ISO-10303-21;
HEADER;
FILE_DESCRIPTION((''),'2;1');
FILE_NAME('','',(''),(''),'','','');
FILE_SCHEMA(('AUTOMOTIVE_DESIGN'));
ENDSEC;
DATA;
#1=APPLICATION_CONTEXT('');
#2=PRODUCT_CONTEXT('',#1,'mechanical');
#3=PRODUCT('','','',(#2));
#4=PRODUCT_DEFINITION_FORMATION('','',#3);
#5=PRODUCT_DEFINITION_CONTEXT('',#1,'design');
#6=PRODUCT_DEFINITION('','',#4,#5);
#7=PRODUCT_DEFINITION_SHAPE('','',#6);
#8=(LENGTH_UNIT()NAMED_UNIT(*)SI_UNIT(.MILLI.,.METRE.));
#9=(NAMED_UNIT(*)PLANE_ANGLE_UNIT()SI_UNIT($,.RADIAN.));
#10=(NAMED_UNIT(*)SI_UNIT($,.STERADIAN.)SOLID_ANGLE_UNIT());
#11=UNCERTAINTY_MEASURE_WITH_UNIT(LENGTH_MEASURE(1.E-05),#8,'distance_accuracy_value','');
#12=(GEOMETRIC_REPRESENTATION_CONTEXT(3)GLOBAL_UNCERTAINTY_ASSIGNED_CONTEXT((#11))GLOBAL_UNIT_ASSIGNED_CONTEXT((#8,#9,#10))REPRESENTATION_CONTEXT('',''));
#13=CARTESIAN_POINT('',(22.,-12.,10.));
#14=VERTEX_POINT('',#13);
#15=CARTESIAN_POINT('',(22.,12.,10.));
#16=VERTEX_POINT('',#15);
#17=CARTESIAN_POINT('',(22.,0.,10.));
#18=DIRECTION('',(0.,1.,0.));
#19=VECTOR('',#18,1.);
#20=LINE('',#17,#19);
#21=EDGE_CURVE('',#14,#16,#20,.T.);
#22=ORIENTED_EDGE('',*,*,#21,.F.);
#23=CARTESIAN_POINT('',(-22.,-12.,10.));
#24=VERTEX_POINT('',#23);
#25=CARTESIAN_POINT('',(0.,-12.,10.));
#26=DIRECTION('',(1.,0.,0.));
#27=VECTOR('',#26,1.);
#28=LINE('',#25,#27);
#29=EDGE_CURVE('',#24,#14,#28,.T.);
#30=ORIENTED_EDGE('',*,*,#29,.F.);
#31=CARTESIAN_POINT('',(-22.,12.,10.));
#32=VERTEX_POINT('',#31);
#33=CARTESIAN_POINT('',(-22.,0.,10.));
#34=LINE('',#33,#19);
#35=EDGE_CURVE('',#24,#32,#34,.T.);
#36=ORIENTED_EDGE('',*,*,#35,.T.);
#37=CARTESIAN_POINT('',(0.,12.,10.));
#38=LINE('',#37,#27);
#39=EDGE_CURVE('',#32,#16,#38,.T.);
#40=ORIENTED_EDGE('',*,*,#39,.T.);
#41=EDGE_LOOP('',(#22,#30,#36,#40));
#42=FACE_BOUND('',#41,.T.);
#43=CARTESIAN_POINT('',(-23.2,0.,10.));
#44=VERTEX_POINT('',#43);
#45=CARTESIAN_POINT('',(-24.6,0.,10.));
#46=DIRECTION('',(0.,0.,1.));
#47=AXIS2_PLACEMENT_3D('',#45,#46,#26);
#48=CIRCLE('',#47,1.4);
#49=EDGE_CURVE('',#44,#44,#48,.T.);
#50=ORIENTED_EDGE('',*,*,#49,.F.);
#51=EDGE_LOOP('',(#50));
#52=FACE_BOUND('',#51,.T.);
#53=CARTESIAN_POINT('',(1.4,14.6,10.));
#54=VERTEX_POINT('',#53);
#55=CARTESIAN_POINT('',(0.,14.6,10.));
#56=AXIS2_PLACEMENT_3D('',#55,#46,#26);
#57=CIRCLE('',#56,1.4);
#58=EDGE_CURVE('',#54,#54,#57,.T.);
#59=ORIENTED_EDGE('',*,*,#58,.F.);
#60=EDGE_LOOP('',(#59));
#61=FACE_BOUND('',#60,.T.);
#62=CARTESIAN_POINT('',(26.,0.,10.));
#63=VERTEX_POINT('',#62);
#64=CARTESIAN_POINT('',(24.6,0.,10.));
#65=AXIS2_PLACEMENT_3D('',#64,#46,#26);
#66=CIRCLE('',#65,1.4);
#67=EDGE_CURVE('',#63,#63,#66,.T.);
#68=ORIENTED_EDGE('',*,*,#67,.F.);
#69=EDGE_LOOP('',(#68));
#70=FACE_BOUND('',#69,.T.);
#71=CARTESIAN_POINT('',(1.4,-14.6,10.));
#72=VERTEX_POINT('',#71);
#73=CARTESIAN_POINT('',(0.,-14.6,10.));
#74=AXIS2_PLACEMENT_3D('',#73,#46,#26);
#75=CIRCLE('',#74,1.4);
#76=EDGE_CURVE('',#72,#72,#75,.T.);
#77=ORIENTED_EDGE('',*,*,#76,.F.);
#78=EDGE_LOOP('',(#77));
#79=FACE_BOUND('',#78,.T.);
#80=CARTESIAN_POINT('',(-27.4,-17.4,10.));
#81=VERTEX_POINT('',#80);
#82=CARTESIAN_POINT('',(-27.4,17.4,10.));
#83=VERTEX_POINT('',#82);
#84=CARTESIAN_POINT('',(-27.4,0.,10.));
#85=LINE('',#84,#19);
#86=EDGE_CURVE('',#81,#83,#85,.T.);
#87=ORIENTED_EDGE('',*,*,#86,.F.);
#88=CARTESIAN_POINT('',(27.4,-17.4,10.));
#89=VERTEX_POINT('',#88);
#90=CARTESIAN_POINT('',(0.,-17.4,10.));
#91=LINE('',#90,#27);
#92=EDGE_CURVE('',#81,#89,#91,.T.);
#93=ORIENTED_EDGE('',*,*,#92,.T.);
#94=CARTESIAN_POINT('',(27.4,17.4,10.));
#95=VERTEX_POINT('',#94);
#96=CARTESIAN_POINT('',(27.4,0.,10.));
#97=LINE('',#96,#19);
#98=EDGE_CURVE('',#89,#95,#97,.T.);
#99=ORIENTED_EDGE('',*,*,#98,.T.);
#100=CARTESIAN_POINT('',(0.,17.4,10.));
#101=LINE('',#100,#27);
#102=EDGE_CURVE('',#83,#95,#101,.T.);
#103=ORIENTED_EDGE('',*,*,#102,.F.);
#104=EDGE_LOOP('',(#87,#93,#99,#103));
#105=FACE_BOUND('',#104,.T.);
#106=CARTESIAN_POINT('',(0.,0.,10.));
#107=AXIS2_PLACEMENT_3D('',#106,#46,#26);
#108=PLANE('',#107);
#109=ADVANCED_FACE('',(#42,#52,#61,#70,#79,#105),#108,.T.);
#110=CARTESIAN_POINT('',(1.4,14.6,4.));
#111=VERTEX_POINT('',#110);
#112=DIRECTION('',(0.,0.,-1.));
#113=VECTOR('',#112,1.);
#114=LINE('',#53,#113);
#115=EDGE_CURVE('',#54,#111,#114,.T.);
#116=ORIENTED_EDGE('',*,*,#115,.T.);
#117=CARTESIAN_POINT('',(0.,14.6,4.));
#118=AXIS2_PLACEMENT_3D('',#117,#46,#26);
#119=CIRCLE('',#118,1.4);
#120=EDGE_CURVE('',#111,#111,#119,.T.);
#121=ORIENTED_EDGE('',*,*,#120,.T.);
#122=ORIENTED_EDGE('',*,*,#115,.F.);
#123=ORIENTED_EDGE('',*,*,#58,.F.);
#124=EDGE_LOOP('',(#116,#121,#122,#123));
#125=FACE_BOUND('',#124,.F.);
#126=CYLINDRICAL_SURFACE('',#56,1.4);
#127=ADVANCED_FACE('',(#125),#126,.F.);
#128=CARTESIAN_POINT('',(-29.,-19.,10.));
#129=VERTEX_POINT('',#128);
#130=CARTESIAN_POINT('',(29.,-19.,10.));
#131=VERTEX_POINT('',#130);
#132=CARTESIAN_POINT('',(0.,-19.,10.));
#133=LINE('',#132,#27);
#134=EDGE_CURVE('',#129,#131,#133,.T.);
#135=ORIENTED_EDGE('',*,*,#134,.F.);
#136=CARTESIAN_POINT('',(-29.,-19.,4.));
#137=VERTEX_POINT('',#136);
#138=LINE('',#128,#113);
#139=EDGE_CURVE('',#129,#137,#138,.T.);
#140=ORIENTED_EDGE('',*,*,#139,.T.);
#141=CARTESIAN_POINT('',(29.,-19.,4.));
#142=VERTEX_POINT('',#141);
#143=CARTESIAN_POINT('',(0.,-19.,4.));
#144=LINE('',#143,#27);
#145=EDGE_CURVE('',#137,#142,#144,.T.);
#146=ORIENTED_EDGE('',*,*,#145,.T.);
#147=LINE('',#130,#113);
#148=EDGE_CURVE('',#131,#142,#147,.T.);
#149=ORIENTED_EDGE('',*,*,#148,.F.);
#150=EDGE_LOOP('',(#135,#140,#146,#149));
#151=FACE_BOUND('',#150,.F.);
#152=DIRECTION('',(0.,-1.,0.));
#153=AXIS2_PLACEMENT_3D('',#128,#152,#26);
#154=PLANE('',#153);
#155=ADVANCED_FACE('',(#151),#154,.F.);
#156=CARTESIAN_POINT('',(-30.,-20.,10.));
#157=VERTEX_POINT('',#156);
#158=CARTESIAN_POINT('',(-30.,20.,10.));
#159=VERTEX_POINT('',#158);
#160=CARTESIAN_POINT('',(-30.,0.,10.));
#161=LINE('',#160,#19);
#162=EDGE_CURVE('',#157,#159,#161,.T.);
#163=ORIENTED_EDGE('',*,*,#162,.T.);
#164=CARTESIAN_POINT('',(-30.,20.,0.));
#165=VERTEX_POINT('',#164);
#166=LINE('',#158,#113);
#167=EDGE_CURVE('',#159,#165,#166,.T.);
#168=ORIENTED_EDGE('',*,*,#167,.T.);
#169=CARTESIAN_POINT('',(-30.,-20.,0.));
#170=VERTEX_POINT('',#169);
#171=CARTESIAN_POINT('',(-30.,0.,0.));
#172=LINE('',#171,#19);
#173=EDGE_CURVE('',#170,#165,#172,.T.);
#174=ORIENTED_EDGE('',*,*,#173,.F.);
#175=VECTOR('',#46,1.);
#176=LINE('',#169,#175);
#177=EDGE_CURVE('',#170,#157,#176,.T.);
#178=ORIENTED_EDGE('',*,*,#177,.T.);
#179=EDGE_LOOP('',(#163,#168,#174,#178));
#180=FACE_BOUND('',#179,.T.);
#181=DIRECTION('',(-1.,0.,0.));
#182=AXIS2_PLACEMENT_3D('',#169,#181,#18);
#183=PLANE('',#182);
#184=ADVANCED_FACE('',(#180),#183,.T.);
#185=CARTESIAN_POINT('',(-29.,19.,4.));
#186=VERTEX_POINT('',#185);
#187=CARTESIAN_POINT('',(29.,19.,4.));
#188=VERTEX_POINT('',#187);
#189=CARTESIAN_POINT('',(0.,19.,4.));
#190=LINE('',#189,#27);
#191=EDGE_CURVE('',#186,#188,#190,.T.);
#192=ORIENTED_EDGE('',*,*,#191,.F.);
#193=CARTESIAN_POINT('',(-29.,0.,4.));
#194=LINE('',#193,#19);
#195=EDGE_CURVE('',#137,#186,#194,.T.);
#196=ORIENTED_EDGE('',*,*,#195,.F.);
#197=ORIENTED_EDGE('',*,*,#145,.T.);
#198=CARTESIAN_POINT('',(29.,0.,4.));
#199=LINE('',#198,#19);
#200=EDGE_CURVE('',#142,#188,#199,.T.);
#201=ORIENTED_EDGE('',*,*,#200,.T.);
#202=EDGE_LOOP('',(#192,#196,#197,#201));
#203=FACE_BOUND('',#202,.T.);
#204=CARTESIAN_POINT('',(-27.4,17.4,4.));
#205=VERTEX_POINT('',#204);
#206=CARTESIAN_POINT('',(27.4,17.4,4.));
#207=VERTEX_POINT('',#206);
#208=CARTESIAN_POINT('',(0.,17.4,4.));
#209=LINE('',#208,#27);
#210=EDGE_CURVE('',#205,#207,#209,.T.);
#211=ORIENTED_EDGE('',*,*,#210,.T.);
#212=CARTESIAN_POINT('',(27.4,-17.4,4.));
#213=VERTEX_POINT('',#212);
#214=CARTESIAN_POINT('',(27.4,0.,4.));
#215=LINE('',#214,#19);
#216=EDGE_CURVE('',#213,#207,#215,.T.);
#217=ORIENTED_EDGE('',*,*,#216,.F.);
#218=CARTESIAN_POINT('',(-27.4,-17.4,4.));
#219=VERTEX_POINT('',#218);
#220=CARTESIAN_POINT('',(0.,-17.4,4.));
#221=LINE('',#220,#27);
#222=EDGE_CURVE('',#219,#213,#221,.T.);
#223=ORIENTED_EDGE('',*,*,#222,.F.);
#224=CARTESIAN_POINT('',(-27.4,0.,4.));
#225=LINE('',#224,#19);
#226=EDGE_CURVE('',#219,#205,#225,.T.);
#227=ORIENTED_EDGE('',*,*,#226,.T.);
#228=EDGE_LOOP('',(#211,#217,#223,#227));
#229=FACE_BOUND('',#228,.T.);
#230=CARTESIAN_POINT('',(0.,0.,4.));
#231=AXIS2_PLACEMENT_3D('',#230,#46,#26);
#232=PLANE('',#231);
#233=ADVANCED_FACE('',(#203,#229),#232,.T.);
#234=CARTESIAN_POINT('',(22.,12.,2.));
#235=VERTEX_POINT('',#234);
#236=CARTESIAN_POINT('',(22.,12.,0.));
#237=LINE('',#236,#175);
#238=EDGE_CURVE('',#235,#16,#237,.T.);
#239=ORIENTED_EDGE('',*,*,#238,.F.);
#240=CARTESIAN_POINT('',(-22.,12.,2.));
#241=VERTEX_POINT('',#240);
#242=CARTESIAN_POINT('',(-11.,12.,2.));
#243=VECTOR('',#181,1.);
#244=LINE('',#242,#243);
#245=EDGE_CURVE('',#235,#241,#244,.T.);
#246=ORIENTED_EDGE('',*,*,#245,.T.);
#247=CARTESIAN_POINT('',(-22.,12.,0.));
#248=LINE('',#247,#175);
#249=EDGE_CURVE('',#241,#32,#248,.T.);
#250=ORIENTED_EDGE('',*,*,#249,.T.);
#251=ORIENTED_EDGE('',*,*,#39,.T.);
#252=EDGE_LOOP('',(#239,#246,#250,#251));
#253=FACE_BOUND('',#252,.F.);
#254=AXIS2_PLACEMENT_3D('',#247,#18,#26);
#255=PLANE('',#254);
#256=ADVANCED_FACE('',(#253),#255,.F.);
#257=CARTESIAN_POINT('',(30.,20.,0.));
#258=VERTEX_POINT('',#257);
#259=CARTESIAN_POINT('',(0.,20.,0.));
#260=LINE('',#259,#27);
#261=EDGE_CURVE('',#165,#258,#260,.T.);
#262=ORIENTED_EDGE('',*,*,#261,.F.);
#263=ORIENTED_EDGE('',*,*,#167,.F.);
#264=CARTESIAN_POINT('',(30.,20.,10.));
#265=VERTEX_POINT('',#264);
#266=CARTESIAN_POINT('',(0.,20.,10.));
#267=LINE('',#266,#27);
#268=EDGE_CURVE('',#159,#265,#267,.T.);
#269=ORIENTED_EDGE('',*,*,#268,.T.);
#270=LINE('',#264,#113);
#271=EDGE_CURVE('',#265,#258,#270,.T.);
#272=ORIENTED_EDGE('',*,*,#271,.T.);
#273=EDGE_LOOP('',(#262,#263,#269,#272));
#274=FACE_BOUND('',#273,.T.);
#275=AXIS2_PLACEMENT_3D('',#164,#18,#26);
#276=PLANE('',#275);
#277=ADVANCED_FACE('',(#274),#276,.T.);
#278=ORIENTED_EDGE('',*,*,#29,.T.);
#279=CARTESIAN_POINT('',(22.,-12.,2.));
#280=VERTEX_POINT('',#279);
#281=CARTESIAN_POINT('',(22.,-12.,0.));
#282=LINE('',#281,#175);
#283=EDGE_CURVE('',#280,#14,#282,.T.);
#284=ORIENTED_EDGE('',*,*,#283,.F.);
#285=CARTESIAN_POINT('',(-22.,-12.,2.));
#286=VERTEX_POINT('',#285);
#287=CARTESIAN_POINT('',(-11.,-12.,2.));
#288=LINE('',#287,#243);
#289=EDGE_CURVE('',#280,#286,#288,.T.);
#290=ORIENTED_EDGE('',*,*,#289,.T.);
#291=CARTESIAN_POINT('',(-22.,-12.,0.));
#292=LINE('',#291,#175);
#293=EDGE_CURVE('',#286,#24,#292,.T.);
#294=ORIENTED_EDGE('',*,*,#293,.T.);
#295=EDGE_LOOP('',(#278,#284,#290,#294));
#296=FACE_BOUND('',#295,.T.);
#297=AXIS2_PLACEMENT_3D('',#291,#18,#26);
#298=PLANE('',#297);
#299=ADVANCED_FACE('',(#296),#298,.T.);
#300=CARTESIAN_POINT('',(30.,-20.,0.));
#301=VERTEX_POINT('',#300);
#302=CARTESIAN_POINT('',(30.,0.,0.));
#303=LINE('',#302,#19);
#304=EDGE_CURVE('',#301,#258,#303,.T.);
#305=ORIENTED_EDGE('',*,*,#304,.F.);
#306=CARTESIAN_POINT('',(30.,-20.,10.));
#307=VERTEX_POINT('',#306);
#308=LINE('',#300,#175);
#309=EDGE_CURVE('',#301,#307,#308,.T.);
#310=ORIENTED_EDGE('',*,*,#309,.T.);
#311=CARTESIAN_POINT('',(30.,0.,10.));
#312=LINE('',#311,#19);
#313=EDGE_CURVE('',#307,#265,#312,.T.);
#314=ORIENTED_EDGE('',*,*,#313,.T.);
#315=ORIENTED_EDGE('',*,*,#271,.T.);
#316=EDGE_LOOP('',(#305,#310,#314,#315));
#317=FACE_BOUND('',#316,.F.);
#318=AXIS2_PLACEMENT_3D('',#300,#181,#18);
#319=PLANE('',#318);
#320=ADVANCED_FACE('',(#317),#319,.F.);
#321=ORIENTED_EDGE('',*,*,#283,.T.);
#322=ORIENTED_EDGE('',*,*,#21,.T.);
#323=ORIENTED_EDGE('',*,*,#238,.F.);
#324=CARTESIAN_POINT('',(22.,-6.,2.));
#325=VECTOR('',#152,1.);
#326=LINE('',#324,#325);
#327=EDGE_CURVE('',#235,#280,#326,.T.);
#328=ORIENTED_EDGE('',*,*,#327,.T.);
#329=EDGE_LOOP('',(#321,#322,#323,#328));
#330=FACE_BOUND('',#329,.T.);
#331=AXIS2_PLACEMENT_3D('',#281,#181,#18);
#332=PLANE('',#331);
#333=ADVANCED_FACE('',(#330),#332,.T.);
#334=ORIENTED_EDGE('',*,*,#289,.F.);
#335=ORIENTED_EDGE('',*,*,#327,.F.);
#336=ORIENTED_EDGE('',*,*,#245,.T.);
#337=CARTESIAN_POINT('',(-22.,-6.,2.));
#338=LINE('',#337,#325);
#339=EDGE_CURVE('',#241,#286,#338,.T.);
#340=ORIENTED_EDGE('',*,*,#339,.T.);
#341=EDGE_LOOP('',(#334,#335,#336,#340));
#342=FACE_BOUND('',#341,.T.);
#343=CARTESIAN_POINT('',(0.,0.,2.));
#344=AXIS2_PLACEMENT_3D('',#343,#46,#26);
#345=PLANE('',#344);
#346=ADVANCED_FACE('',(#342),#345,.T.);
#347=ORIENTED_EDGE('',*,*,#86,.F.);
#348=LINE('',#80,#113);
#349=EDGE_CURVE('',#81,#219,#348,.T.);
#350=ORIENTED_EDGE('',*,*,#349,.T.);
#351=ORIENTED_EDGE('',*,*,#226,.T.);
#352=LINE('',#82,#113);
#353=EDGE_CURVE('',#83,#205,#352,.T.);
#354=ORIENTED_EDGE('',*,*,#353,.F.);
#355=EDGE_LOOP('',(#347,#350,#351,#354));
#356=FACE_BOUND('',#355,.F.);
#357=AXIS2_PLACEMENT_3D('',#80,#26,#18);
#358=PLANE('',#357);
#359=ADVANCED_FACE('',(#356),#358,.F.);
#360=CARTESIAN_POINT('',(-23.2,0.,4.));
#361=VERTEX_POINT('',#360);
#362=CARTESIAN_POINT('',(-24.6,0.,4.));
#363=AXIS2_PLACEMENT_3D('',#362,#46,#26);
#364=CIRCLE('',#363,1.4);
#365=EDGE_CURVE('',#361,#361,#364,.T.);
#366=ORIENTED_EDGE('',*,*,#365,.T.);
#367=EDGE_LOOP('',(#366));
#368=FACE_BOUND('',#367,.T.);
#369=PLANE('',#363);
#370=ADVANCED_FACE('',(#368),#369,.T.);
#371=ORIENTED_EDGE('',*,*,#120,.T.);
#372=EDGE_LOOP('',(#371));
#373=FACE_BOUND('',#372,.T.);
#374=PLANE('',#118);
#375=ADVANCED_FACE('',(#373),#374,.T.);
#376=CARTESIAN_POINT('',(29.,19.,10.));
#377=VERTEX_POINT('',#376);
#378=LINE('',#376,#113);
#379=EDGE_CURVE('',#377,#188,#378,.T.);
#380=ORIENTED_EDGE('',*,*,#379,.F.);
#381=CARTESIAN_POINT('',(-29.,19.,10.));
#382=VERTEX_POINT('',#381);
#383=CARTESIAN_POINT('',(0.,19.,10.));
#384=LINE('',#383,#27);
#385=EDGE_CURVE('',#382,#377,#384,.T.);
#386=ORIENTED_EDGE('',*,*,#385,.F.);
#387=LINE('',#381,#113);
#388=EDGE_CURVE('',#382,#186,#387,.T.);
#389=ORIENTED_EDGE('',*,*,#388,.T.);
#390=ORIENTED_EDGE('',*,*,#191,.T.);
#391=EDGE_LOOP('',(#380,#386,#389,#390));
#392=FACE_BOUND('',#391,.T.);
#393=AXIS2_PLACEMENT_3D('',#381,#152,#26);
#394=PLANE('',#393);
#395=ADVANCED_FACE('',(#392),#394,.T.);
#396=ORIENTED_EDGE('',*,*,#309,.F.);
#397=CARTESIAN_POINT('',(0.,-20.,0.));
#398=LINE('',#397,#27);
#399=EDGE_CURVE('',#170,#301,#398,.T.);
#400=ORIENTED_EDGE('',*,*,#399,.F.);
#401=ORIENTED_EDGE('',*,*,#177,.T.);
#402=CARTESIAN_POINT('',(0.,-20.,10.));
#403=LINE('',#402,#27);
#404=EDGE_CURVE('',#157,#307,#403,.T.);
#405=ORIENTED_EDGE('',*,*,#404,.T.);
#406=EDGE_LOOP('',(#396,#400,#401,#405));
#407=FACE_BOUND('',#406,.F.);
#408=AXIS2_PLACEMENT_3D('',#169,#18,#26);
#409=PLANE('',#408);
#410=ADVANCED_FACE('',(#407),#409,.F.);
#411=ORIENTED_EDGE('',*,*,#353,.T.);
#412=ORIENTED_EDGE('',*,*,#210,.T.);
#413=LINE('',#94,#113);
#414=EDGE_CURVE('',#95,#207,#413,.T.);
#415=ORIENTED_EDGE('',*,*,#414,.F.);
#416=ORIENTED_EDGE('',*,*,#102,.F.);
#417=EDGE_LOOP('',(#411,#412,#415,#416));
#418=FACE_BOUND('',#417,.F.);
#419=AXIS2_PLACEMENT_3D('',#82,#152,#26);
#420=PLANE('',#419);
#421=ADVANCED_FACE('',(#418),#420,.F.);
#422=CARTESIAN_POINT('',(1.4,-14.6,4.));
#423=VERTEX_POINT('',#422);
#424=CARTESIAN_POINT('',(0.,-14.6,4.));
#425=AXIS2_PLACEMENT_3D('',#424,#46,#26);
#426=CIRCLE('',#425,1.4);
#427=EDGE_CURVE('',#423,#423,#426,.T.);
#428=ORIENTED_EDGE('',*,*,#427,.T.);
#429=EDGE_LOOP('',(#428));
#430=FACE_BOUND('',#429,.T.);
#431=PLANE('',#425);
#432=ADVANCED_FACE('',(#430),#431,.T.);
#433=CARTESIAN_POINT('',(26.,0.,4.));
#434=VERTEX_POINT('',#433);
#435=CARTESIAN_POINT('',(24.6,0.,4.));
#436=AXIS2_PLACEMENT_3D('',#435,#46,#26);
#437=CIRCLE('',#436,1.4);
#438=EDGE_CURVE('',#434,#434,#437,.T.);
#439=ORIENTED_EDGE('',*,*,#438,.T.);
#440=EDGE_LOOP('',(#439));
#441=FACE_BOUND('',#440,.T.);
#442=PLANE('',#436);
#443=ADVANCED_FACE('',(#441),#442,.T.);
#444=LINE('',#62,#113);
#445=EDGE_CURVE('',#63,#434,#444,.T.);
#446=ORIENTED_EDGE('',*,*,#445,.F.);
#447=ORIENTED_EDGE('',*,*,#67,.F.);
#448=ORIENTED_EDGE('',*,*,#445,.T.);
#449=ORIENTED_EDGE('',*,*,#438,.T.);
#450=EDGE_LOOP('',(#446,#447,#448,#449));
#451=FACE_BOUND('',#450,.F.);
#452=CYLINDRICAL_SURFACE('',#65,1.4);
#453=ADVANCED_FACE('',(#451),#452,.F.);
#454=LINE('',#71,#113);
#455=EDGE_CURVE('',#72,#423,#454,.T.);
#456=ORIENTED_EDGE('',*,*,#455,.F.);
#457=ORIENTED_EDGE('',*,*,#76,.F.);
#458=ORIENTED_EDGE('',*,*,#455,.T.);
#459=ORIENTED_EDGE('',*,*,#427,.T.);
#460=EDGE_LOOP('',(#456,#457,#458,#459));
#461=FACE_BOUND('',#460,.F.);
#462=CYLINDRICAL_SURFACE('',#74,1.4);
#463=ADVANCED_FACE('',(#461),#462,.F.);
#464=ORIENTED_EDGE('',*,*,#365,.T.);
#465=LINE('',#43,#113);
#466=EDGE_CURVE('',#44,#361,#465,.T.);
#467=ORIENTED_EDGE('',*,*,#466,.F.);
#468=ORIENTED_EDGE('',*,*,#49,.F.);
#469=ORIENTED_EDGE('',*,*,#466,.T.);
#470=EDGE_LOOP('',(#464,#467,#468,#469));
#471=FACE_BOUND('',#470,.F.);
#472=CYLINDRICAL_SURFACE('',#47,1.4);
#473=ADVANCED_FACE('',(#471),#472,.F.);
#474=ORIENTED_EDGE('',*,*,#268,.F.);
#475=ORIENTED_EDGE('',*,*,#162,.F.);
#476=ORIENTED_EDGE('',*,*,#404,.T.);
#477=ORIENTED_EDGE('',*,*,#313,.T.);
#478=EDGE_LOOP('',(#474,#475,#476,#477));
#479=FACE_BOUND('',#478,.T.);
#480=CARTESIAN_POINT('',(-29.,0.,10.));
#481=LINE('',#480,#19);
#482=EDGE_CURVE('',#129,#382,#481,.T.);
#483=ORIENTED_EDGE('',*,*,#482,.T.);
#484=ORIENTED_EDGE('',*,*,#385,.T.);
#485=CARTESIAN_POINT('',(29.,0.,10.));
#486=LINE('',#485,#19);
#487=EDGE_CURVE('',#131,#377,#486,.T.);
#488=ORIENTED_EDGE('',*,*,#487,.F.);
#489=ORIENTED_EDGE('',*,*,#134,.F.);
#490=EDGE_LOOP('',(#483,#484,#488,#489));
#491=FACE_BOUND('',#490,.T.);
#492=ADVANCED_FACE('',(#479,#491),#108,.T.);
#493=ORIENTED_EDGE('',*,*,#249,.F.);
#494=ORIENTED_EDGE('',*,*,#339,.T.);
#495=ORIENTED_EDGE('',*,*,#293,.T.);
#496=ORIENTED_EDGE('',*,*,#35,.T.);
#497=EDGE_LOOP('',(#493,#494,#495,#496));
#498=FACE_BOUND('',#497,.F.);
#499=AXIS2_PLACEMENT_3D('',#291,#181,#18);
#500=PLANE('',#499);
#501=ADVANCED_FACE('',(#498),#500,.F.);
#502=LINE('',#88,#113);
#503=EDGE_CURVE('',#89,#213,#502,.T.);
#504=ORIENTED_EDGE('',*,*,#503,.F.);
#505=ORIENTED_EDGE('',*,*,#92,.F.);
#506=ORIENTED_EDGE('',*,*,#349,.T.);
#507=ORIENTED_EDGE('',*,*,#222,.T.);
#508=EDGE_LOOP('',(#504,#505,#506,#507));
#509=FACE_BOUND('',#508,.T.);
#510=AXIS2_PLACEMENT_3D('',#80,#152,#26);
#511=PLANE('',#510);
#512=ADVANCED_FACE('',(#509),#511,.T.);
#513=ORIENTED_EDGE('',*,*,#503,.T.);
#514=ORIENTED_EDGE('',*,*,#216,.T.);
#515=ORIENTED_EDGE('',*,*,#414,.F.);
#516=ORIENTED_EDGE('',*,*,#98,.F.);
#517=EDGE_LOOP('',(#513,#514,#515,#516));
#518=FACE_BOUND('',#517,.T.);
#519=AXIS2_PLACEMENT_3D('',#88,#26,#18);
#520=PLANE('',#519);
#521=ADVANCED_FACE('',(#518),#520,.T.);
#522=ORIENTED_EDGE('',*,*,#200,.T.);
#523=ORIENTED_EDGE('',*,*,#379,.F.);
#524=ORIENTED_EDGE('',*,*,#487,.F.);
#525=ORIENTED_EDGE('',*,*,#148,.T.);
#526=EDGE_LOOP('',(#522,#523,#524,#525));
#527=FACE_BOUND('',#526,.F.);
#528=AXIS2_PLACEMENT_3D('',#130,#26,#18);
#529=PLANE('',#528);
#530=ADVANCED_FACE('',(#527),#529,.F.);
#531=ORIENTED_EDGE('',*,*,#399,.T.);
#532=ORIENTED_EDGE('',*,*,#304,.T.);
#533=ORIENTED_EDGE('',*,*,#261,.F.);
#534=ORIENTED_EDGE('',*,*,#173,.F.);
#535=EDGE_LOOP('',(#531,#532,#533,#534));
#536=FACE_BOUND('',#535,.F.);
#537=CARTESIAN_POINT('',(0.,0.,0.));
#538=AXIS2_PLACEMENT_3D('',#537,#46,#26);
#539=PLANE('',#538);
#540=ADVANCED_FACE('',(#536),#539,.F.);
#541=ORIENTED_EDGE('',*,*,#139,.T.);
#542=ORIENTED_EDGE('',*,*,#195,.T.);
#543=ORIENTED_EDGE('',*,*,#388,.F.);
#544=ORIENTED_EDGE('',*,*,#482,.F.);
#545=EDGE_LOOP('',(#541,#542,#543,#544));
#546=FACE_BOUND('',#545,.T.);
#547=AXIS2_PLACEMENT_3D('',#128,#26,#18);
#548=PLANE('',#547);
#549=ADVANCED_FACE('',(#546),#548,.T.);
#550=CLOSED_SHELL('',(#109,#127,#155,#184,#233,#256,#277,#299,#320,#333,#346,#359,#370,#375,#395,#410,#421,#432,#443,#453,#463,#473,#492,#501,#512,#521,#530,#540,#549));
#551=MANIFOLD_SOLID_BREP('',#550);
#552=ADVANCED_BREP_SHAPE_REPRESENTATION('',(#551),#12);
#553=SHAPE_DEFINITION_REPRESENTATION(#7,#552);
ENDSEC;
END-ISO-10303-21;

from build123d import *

# Parameters (mm, degrees)
SKETCH_W      = 60
SKETCH_H      = 40
PAD_DEPTH     = 2
SKETCH001_W   = 60
SKETCH001_H   = 40
SKETCH001_W_2 = 44
SKETCH001_H_2 = 24
PAD001_DEPTH  = 10
SKETCH002_W   = 58
SKETCH002_H   = 38
SKETCH002_W_2 = 54.8
SKETCH002_H_2 = 34.8
SKETCH002_R   = 1.4
POCKET_DEPTH  = 6


with BuildPart() as part:
    # Sketch → Pad (new body)
    with BuildSketch(Plane.XY):
        Rectangle(SKETCH_W, SKETCH_H)
    extrude(amount=PAD_DEPTH)

    # Sketch001 → Pad001 (join)
    with BuildSketch(Plane.XY):
        Rectangle(SKETCH001_W, SKETCH001_H)
        Rectangle(SKETCH001_W_2, SKETCH001_H_2, mode=Mode.SUBTRACT)
    extrude(amount=PAD001_DEPTH)

    # Sketch002 (on Face10 of Pad001) → Pocket (cut)
    with BuildSketch(Plane.XY.offset(10)):
        Rectangle(SKETCH002_W, SKETCH002_H)
        Rectangle(SKETCH002_W_2, SKETCH002_H_2, mode=Mode.SUBTRACT)
        with Locations((0, 14.6)):
            Circle(SKETCH002_R)
        with Locations((24.6, 0)):
            Circle(SKETCH002_R)
        with Locations((0, -14.6)):
            Circle(SKETCH002_R)
        with Locations((-24.6, 0)):
            Circle(SKETCH002_R)
    extrude(amount=-POCKET_DEPTH, mode=Mode.SUBTRACT)


solid = part.part
